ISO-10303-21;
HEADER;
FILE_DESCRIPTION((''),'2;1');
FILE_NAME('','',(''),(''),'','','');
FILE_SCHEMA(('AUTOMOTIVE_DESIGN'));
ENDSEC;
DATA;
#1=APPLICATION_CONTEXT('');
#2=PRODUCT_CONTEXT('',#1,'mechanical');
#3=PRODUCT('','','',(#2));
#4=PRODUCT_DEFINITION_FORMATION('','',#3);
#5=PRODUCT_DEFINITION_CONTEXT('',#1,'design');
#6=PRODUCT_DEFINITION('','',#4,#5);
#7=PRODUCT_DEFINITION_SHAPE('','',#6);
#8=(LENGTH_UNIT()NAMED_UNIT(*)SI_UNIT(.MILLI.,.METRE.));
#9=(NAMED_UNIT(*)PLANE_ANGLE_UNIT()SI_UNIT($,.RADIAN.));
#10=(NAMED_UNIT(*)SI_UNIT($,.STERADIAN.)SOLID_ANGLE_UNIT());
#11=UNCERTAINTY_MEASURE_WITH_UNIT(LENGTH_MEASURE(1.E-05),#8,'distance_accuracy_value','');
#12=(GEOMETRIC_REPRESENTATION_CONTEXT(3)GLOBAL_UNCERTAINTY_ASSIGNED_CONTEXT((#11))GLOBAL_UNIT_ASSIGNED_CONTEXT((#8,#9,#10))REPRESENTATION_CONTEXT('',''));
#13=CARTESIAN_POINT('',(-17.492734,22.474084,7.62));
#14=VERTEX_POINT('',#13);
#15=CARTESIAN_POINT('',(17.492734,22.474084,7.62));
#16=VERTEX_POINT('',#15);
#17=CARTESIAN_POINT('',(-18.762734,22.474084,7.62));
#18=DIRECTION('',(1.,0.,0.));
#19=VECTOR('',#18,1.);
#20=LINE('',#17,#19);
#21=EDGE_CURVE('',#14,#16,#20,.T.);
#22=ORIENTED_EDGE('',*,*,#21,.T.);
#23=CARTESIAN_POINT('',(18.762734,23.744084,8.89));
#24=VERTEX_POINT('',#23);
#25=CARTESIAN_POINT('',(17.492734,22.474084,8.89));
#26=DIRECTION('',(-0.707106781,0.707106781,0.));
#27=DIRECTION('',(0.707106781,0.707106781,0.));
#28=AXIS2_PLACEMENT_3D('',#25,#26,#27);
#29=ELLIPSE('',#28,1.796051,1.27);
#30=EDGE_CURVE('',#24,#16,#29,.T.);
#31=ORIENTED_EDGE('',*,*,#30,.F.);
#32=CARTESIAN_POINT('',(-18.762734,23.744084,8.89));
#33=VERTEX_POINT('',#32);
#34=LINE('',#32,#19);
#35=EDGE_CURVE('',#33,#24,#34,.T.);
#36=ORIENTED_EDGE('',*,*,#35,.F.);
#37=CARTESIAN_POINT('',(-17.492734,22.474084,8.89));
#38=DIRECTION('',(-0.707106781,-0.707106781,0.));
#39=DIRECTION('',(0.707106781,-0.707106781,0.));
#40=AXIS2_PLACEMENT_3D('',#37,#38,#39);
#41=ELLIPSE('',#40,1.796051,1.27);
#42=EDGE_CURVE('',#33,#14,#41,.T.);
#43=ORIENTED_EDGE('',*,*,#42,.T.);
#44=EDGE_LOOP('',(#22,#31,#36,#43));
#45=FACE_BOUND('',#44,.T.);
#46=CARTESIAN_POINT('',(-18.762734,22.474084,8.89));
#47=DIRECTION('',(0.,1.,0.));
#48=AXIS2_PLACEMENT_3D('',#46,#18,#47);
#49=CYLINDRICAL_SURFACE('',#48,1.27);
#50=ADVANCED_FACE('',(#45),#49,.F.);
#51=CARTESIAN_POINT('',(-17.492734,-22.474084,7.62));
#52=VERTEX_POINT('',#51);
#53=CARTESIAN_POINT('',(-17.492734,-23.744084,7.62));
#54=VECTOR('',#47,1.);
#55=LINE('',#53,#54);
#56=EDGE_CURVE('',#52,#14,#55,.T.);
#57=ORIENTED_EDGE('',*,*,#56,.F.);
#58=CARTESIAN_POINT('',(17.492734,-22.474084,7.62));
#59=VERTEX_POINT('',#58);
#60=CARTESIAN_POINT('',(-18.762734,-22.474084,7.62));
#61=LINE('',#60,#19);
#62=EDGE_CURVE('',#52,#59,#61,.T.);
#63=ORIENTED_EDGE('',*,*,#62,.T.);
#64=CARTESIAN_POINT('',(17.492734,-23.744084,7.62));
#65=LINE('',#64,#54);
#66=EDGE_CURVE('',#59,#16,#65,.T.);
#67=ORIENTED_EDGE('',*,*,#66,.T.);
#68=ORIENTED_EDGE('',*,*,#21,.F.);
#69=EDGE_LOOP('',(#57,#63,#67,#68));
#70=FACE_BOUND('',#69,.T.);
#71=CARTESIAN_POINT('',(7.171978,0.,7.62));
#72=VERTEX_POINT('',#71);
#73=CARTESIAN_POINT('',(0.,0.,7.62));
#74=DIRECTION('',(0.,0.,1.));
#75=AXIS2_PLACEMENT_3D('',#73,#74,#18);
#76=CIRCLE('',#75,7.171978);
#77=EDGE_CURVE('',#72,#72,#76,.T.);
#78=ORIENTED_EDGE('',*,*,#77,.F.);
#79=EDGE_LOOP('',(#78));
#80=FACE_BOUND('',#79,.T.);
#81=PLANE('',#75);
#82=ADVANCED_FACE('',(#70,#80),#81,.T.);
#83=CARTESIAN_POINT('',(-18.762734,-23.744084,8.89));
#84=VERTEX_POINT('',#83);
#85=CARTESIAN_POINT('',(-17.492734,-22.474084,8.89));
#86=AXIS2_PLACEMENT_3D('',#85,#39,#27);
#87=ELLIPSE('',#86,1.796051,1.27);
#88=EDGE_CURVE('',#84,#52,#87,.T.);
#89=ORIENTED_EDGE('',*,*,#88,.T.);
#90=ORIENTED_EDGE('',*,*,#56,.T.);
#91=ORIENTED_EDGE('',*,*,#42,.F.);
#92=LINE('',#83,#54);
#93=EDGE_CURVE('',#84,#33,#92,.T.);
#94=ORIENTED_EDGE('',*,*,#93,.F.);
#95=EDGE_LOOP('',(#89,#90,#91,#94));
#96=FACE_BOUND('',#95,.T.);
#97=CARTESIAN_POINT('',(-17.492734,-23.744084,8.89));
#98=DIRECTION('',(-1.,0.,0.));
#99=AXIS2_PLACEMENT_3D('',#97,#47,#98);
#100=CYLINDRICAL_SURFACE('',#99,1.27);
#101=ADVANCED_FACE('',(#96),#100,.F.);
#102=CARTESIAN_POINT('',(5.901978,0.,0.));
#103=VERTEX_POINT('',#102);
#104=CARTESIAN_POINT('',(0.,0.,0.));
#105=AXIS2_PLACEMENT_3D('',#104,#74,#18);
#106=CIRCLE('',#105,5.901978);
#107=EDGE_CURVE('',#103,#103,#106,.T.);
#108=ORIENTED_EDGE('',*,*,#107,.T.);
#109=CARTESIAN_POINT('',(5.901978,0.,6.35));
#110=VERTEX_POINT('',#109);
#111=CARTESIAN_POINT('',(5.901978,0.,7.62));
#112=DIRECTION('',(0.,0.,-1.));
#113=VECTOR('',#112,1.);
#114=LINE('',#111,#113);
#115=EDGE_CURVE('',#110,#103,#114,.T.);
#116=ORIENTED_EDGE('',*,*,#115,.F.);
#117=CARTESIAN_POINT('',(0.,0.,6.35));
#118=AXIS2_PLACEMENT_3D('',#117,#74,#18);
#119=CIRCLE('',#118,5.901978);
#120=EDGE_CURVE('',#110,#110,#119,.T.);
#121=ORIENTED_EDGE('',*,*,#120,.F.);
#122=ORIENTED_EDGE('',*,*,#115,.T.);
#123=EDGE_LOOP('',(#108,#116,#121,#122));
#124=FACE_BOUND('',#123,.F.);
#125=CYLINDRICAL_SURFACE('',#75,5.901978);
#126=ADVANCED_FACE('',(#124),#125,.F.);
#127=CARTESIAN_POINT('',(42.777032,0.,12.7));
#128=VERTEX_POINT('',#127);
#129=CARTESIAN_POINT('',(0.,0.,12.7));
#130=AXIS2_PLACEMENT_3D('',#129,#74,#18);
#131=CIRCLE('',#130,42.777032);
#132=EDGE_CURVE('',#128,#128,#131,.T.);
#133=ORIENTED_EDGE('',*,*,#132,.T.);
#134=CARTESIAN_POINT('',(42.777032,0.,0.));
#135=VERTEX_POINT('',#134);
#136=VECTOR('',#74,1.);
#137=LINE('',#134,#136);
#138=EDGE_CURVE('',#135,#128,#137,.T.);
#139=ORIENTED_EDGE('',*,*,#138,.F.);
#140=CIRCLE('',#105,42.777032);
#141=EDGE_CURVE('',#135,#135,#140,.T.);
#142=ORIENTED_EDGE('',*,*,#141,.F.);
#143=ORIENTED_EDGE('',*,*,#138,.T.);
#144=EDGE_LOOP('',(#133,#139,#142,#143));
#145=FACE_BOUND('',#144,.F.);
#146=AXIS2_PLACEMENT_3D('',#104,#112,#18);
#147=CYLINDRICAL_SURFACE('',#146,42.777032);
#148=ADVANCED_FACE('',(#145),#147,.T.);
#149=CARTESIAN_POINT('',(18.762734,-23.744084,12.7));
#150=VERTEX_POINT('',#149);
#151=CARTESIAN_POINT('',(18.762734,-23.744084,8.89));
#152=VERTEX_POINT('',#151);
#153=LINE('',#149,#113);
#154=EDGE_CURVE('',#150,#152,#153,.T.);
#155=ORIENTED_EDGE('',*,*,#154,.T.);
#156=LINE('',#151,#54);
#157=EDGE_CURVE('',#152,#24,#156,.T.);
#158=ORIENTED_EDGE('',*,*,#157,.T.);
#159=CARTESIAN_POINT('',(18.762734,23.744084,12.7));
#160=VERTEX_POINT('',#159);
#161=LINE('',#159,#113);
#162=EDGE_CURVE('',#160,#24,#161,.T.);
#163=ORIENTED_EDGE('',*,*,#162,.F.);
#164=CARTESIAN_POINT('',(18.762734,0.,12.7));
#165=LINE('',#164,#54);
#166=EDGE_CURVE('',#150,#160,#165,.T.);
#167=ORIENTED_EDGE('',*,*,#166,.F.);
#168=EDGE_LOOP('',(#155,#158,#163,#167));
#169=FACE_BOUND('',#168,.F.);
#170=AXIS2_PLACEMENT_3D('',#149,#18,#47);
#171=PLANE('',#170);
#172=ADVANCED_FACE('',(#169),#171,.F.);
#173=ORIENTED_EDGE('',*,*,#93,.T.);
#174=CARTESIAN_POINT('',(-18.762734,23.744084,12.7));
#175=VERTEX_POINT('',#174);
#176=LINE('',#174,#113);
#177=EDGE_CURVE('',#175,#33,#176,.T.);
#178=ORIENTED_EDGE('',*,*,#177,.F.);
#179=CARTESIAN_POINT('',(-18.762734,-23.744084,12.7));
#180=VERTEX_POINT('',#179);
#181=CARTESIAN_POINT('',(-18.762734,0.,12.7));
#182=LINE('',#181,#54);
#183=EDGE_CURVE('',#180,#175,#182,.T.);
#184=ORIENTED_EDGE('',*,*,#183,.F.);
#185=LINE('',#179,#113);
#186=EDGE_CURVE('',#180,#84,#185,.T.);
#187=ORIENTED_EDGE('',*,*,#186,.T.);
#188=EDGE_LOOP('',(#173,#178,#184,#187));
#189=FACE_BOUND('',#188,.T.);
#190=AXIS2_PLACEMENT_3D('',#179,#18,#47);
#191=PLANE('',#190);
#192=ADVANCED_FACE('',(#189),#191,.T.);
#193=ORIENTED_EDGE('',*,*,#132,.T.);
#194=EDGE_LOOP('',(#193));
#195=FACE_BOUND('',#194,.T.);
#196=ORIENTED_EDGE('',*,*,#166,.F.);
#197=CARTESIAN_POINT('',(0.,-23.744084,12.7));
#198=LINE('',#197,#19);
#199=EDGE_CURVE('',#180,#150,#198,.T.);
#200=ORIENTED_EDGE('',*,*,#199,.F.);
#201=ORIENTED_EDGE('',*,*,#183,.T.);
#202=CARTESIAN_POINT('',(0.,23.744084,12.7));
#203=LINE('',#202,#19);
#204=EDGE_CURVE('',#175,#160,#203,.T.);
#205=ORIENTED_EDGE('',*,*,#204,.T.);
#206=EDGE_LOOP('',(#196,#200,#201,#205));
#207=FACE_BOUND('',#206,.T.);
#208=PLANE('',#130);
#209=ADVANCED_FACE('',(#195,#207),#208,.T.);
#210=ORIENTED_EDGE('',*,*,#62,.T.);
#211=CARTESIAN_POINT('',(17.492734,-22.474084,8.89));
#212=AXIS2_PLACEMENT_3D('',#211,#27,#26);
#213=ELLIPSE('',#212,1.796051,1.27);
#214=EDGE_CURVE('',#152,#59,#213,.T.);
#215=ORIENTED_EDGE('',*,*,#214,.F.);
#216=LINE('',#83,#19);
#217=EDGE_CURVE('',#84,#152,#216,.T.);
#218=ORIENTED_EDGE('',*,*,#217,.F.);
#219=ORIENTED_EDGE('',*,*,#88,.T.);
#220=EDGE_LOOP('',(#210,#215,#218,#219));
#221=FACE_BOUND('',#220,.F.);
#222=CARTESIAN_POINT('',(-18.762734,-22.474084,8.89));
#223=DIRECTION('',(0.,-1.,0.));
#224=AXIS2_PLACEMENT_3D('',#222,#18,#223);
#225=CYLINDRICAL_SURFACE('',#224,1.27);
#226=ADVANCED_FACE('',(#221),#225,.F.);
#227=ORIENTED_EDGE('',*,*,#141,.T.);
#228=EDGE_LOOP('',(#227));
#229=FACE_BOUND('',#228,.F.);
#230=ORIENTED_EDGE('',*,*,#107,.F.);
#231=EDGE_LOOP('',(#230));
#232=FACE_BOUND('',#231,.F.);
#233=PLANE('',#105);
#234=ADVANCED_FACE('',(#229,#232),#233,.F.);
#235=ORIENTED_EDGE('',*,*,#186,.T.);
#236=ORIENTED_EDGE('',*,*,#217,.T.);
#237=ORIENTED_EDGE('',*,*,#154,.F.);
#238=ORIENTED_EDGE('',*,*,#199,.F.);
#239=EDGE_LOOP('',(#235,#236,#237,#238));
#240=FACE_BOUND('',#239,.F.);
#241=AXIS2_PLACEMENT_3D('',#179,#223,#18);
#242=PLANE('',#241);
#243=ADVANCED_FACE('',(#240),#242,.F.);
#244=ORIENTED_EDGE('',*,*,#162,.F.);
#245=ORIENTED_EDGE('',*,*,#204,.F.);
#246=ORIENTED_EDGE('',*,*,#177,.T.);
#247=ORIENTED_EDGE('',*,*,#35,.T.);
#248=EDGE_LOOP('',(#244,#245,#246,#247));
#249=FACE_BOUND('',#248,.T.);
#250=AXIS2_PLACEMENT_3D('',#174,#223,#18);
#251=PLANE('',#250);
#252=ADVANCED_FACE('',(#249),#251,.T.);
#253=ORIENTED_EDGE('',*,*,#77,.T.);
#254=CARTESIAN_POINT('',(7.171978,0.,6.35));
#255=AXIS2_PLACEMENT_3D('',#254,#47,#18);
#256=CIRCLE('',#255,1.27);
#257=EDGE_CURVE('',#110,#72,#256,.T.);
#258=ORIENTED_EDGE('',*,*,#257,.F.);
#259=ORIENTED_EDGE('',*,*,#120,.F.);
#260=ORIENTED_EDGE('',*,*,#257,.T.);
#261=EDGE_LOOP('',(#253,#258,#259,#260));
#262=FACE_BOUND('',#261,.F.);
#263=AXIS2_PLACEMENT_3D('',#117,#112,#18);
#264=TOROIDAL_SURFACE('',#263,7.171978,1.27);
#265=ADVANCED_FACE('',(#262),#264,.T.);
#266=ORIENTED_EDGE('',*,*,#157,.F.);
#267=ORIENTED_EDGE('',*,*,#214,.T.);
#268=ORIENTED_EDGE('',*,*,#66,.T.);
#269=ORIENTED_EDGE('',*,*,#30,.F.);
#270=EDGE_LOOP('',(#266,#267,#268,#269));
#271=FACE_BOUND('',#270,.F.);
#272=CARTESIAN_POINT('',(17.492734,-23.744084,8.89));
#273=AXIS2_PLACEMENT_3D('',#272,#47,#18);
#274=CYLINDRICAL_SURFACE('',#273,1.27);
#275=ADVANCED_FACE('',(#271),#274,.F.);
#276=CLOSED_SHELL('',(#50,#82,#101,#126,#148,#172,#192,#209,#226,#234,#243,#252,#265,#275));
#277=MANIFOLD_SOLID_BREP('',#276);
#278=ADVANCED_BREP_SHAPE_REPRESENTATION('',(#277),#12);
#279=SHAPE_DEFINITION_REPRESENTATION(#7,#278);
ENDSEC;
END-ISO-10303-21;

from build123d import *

# Parameters (mm, degrees)
F0_R     = 42.7770323115
F1_DEPTH = 12.7
F2_W     = 37.5254675746
F2_H     = 47.488167882
F3_DEPTH = 5.08
F4_R     = 5.9019782965
F5_DEPTH = 25.4
F6_R     = 1.27


with BuildPart() as f1:
    # F0 (on Top) → F1 (new body)
    with BuildSketch(Plane.XY):
        Circle(F0_R)
    extrude(amount=F1_DEPTH)

    # F2 (on face) → F3 (cut)
    with BuildSketch(Plane.XY.offset(12.7)):
        Rectangle(F2_W, F2_H)
    extrude(amount=-F3_DEPTH, mode=Mode.SUBTRACT)

    # F4 (on face) → F5 (cut)
    with BuildSketch(Plane.XY.offset(7.62)):
        Circle(F4_R)
    extrude(amount=-F5_DEPTH, mode=Mode.SUBTRACT)

    # F6
    f6_edges = [f1.edges().sort_by_distance(p)[0] for p in [
        (0, 23.744084, 7.62),
        (18.762734, 0, 7.62),
        (0, -23.744084, 7.62),
        (-18.762734, 0, 7.62),
        (-5.901978, 0, 7.62),
    ]]
    fillet(f6_edges, radius=F6_R)


solid = f1.part
